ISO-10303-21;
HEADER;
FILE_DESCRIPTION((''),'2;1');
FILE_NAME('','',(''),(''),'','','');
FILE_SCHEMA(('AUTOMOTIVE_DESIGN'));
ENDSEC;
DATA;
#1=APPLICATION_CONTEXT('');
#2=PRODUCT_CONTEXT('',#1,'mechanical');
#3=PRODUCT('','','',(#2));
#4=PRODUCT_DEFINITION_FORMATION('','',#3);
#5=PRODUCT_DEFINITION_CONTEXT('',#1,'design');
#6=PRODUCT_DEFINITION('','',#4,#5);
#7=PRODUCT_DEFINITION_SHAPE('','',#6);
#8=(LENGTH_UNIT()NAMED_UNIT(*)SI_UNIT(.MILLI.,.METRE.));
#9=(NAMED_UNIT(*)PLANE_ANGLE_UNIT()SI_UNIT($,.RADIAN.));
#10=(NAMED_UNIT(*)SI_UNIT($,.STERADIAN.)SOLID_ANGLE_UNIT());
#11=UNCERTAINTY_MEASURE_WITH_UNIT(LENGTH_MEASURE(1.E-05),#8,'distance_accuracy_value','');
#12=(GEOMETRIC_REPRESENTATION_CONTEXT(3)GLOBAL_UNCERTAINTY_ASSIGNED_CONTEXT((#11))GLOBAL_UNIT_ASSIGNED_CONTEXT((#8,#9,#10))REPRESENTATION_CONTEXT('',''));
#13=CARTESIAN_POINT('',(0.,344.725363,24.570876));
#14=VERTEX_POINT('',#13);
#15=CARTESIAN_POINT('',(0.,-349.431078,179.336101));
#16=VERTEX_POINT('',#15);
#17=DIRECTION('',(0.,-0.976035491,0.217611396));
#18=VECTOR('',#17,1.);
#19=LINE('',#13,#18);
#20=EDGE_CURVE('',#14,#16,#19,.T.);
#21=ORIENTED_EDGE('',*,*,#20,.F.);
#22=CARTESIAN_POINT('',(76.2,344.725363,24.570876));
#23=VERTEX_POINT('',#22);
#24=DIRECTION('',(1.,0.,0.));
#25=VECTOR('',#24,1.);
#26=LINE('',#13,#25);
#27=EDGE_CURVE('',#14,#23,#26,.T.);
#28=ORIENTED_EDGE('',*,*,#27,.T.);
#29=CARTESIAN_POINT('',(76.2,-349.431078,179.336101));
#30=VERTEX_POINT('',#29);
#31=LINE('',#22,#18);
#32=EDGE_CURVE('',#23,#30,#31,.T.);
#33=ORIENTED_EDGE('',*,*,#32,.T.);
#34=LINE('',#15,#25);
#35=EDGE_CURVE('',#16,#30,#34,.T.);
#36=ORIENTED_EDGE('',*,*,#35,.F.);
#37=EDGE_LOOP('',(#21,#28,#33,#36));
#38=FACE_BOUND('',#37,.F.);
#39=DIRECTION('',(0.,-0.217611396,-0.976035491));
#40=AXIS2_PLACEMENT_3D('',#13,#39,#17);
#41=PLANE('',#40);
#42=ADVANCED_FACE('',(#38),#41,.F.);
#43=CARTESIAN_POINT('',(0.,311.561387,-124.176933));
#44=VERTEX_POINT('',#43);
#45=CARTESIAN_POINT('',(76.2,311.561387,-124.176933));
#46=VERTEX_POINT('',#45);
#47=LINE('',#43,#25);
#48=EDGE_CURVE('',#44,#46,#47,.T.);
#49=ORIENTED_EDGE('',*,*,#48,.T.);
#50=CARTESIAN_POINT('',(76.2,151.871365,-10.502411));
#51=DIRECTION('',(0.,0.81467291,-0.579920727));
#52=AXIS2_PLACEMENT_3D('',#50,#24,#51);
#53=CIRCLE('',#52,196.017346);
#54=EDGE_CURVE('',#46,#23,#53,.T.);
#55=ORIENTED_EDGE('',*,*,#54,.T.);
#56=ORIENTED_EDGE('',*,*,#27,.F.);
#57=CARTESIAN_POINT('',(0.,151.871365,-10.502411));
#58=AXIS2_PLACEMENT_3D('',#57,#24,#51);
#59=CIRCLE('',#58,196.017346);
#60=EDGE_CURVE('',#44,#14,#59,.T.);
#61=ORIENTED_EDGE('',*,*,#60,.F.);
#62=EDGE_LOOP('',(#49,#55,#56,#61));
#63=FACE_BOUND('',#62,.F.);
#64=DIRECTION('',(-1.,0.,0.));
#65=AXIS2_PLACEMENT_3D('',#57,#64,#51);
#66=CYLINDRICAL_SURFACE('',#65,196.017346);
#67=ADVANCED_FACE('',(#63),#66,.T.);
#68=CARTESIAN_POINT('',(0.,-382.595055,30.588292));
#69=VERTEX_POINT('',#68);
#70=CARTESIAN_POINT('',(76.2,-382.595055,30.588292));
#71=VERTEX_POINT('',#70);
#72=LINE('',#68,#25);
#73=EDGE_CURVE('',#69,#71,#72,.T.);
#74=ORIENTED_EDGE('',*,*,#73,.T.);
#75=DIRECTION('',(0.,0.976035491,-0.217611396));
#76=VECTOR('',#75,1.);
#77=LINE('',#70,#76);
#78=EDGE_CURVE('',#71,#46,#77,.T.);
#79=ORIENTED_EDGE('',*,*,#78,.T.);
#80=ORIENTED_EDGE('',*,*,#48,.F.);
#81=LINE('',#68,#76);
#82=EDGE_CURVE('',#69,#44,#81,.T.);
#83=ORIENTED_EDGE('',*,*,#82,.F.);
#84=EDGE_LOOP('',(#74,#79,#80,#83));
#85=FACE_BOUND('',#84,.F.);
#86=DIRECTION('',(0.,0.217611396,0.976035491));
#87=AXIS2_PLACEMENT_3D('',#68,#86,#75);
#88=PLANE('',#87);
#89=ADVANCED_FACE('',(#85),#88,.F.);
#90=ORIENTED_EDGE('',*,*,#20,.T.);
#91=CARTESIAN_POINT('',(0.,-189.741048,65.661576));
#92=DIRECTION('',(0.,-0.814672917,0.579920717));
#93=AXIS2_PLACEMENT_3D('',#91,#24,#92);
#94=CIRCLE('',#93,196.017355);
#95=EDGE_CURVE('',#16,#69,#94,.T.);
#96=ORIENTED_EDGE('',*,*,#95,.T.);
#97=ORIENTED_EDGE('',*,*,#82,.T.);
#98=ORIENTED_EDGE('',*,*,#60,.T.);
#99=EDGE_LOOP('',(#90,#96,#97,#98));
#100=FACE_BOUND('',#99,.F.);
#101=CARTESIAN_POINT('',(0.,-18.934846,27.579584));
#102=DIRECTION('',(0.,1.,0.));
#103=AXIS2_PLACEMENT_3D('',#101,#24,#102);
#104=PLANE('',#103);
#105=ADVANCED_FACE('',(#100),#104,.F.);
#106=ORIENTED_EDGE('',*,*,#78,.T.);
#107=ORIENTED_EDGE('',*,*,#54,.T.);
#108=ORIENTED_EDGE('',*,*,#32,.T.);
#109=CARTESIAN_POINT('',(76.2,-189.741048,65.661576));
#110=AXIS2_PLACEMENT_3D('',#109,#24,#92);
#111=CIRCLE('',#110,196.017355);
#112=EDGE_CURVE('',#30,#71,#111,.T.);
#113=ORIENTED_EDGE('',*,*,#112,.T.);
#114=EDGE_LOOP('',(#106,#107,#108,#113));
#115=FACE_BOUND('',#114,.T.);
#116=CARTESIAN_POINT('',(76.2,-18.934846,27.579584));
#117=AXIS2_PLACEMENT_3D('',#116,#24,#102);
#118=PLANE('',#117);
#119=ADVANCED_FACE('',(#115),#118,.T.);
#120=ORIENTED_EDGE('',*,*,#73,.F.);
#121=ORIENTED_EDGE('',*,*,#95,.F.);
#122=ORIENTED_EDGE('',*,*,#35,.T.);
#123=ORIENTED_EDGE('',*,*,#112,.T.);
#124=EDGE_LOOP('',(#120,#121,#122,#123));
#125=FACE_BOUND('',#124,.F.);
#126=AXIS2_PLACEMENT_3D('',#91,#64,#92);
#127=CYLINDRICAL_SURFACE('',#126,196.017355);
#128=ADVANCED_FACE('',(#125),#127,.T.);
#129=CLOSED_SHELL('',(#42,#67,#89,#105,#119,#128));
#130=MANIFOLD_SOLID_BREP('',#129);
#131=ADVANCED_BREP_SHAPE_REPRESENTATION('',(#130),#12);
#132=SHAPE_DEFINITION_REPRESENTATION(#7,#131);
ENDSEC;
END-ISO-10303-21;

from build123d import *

# Parameters (mm, degrees)
F1_DEPTH = 76.2


with BuildPart() as f1:
    # F0 (on Right) → F1 (new body)
    with BuildSketch(Plane.YZ):
        with BuildLine():
            Line((-382.595055, 30.588292), (311.561387, -124.176933))
            ThreePointArc((311.561387, -124.176933), (343.191252, -53.158019), (344.725363, 24.570876))
            Line((344.725363, 24.570876), (-349.431078, 179.336101))
            ThreePointArc((-349.431078, 179.336101), (-381.060943, 108.317186), (-382.595055, 30.588292))
        make_face()
    extrude(amount=F1_DEPTH)


solid = f1.part
